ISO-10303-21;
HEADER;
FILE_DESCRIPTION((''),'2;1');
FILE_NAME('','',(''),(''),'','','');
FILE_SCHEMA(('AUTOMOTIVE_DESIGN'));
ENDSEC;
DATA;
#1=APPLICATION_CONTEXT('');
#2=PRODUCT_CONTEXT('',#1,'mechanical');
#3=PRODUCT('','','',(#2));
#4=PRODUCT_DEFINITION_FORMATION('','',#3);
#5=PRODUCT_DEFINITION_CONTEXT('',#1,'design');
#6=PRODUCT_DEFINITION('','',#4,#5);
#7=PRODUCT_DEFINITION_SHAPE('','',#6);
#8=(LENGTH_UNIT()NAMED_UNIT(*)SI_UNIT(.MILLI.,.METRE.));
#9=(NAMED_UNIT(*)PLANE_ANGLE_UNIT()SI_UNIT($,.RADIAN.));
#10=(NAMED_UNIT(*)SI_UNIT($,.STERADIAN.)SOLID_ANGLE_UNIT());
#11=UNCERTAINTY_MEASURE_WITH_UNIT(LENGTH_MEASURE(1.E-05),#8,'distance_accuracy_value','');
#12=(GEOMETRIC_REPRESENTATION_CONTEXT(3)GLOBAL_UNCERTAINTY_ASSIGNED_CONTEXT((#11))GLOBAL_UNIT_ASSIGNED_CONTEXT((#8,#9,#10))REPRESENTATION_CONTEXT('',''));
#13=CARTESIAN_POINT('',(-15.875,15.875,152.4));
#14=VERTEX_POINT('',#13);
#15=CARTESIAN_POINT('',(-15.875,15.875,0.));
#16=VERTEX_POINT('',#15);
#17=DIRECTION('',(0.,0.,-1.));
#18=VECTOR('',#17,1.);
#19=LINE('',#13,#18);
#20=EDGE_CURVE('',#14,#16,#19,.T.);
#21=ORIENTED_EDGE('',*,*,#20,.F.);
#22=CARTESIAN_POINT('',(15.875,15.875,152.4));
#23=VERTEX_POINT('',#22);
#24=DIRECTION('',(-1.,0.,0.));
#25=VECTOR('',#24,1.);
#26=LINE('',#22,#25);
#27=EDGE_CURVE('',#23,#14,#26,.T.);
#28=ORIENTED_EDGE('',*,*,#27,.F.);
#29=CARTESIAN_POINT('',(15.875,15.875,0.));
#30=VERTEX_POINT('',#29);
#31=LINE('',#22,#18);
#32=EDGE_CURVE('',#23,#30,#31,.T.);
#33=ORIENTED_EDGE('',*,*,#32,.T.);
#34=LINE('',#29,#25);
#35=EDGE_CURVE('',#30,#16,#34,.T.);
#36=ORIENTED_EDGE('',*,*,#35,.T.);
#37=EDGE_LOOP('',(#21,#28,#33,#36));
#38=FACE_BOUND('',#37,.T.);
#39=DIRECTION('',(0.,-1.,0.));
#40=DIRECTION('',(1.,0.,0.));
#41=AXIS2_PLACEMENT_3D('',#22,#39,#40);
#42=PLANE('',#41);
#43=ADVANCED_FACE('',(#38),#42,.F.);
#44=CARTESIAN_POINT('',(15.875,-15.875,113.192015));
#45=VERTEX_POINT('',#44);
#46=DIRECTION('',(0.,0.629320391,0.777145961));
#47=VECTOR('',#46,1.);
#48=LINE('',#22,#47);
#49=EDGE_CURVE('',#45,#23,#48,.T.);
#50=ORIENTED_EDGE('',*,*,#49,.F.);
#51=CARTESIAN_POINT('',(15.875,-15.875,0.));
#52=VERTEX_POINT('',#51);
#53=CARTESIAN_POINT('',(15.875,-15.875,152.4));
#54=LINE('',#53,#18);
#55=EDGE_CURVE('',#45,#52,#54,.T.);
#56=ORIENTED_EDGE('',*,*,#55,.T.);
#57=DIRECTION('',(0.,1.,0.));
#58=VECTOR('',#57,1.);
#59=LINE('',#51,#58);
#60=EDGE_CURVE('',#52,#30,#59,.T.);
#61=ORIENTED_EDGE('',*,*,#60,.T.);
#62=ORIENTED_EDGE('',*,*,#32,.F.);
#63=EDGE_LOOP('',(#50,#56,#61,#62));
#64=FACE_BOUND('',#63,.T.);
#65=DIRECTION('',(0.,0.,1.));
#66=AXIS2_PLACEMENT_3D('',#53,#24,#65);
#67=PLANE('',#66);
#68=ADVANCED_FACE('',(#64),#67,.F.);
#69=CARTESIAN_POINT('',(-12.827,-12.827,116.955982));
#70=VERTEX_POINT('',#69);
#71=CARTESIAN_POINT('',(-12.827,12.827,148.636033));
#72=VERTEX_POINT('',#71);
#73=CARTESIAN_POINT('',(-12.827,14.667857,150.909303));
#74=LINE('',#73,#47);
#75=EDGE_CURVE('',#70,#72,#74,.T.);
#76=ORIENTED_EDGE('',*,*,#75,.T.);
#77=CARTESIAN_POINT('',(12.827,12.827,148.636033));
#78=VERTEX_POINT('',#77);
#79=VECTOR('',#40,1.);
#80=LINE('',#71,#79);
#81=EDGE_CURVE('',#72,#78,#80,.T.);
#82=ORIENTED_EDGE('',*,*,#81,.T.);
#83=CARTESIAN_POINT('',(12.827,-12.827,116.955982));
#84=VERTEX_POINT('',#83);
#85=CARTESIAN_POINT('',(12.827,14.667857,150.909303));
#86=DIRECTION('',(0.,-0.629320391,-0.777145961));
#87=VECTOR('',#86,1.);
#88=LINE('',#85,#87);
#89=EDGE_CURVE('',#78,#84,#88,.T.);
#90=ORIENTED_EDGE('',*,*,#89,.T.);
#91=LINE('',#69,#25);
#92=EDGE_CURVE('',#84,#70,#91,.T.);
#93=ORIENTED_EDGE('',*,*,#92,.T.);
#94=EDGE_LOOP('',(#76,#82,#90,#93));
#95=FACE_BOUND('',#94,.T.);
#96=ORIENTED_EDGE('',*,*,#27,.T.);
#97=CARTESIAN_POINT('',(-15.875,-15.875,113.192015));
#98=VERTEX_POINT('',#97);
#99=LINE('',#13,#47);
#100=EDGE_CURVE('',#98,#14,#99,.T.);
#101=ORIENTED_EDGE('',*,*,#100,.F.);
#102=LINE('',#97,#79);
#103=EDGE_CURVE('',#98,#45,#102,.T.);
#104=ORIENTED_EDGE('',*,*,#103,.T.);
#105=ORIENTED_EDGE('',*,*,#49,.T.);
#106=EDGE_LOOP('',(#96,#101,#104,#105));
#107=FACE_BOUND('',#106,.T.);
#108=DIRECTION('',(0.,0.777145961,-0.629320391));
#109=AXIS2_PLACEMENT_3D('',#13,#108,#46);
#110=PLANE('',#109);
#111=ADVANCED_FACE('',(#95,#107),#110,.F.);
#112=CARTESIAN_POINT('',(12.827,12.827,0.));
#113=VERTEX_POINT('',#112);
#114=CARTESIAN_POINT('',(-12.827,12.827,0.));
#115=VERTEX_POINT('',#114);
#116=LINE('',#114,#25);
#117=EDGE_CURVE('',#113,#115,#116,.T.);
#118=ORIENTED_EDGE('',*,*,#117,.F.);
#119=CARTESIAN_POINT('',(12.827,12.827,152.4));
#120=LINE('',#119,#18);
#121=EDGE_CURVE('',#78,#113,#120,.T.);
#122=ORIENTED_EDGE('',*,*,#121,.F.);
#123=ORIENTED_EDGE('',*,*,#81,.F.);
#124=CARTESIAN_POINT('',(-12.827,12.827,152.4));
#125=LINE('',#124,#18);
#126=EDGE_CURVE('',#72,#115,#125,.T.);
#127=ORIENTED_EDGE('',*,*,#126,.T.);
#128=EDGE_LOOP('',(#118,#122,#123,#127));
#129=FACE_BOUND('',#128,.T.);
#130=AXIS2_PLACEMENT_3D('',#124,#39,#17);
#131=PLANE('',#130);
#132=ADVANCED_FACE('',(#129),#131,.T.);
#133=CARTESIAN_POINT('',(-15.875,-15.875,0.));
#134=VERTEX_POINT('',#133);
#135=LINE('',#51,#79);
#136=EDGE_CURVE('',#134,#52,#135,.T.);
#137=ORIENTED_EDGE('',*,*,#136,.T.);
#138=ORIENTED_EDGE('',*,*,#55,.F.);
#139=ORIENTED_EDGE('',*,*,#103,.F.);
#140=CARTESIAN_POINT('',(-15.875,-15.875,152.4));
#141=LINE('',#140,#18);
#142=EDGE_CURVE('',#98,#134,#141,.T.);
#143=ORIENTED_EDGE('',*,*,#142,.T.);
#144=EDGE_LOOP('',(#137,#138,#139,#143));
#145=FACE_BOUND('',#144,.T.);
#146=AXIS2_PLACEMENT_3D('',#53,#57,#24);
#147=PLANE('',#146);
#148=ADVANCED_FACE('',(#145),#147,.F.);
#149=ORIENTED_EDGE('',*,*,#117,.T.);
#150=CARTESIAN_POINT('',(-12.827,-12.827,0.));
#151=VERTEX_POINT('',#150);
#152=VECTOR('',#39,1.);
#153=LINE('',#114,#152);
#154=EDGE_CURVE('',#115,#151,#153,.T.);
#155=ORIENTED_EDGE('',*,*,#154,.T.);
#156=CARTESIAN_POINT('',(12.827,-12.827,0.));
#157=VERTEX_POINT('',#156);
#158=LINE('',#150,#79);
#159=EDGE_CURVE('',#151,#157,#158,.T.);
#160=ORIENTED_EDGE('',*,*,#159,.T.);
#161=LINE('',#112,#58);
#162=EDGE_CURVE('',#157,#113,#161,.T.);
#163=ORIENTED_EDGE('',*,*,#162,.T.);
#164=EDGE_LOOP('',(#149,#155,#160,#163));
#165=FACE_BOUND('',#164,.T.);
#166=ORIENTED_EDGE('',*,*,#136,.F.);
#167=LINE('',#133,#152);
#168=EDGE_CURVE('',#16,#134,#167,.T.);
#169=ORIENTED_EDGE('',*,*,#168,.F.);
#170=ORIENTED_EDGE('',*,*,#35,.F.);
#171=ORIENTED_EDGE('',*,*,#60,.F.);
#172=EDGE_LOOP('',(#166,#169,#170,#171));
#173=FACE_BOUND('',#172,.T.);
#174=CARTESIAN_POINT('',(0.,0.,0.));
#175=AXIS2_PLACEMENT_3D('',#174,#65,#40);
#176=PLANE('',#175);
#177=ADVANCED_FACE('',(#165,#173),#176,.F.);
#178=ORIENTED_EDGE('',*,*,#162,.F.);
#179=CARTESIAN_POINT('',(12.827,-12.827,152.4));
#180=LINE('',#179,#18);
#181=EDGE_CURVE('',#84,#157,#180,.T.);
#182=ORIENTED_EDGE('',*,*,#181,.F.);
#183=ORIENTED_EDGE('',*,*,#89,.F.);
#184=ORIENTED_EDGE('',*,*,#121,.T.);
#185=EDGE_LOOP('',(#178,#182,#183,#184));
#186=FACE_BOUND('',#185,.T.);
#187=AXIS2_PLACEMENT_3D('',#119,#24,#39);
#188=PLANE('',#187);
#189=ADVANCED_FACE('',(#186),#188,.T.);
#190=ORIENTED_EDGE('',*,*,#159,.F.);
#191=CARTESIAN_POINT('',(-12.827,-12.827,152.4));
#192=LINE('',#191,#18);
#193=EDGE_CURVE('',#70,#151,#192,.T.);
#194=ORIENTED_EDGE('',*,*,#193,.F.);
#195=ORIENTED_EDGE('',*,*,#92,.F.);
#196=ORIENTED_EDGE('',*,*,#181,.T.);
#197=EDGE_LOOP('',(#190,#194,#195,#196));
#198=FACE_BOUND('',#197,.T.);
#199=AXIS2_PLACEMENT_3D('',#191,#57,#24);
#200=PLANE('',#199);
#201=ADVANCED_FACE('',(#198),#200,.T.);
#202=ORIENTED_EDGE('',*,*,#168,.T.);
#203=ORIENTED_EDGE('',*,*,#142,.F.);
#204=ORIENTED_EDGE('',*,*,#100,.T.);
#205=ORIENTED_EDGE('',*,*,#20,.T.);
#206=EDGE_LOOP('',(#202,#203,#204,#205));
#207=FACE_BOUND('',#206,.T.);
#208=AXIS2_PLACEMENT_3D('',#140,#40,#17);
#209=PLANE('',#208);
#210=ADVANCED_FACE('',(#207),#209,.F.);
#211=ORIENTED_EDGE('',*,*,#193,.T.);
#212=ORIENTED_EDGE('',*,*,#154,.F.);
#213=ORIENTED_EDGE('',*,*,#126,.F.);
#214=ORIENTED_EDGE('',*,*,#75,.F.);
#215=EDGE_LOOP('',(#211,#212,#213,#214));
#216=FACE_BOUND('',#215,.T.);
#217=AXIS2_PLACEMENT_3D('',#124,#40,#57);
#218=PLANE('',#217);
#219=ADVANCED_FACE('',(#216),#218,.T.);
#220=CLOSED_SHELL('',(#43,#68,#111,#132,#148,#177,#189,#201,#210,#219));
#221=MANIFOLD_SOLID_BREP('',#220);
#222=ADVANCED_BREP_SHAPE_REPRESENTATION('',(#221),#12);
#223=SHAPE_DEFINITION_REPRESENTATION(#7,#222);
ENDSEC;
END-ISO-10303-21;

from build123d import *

# Parameters (mm, degrees)
SKETCH1_W               = 31.75
SKETCH1_H               = 31.75
SKETCH1_W_2             = 25.654
SKETCH1_H_2             = 25.654
BOSS_EXTRUDE1_DEPTH     = 152.4
CUT_EXTRUDE1_DEPTH      = 16.875
CUT_EXTRUDE1_DEPTH_BACK = 16.875


with BuildPart() as part:
    # Sketch1 → Boss-Extrude1 (new body)
    with BuildSketch(Plane.XY):
        Rectangle(SKETCH1_W, SKETCH1_H)
        Rectangle(SKETCH1_W_2, SKETCH1_H_2, mode=Mode.SUBTRACT)
    extrude(amount=BOSS_EXTRUDE1_DEPTH)

    # Sketch2 → Cut-Extrude1 (cut, two sides)
    with BuildSketch(Plane(origin=(0, 0, 0), x_dir=(0, 0, -1), z_dir=(1, 0, 0))) as cut_extrude1_sk:
        Polygon((-152.4, 15.875), (-113.19201528, -15.875), (-152.4, -15.875), align=None)
    extrude(amount=CUT_EXTRUDE1_DEPTH, mode=Mode.SUBTRACT)
    extrude(cut_extrude1_sk.sketch, amount=-CUT_EXTRUDE1_DEPTH_BACK, mode=Mode.SUBTRACT)


solid = part.part
